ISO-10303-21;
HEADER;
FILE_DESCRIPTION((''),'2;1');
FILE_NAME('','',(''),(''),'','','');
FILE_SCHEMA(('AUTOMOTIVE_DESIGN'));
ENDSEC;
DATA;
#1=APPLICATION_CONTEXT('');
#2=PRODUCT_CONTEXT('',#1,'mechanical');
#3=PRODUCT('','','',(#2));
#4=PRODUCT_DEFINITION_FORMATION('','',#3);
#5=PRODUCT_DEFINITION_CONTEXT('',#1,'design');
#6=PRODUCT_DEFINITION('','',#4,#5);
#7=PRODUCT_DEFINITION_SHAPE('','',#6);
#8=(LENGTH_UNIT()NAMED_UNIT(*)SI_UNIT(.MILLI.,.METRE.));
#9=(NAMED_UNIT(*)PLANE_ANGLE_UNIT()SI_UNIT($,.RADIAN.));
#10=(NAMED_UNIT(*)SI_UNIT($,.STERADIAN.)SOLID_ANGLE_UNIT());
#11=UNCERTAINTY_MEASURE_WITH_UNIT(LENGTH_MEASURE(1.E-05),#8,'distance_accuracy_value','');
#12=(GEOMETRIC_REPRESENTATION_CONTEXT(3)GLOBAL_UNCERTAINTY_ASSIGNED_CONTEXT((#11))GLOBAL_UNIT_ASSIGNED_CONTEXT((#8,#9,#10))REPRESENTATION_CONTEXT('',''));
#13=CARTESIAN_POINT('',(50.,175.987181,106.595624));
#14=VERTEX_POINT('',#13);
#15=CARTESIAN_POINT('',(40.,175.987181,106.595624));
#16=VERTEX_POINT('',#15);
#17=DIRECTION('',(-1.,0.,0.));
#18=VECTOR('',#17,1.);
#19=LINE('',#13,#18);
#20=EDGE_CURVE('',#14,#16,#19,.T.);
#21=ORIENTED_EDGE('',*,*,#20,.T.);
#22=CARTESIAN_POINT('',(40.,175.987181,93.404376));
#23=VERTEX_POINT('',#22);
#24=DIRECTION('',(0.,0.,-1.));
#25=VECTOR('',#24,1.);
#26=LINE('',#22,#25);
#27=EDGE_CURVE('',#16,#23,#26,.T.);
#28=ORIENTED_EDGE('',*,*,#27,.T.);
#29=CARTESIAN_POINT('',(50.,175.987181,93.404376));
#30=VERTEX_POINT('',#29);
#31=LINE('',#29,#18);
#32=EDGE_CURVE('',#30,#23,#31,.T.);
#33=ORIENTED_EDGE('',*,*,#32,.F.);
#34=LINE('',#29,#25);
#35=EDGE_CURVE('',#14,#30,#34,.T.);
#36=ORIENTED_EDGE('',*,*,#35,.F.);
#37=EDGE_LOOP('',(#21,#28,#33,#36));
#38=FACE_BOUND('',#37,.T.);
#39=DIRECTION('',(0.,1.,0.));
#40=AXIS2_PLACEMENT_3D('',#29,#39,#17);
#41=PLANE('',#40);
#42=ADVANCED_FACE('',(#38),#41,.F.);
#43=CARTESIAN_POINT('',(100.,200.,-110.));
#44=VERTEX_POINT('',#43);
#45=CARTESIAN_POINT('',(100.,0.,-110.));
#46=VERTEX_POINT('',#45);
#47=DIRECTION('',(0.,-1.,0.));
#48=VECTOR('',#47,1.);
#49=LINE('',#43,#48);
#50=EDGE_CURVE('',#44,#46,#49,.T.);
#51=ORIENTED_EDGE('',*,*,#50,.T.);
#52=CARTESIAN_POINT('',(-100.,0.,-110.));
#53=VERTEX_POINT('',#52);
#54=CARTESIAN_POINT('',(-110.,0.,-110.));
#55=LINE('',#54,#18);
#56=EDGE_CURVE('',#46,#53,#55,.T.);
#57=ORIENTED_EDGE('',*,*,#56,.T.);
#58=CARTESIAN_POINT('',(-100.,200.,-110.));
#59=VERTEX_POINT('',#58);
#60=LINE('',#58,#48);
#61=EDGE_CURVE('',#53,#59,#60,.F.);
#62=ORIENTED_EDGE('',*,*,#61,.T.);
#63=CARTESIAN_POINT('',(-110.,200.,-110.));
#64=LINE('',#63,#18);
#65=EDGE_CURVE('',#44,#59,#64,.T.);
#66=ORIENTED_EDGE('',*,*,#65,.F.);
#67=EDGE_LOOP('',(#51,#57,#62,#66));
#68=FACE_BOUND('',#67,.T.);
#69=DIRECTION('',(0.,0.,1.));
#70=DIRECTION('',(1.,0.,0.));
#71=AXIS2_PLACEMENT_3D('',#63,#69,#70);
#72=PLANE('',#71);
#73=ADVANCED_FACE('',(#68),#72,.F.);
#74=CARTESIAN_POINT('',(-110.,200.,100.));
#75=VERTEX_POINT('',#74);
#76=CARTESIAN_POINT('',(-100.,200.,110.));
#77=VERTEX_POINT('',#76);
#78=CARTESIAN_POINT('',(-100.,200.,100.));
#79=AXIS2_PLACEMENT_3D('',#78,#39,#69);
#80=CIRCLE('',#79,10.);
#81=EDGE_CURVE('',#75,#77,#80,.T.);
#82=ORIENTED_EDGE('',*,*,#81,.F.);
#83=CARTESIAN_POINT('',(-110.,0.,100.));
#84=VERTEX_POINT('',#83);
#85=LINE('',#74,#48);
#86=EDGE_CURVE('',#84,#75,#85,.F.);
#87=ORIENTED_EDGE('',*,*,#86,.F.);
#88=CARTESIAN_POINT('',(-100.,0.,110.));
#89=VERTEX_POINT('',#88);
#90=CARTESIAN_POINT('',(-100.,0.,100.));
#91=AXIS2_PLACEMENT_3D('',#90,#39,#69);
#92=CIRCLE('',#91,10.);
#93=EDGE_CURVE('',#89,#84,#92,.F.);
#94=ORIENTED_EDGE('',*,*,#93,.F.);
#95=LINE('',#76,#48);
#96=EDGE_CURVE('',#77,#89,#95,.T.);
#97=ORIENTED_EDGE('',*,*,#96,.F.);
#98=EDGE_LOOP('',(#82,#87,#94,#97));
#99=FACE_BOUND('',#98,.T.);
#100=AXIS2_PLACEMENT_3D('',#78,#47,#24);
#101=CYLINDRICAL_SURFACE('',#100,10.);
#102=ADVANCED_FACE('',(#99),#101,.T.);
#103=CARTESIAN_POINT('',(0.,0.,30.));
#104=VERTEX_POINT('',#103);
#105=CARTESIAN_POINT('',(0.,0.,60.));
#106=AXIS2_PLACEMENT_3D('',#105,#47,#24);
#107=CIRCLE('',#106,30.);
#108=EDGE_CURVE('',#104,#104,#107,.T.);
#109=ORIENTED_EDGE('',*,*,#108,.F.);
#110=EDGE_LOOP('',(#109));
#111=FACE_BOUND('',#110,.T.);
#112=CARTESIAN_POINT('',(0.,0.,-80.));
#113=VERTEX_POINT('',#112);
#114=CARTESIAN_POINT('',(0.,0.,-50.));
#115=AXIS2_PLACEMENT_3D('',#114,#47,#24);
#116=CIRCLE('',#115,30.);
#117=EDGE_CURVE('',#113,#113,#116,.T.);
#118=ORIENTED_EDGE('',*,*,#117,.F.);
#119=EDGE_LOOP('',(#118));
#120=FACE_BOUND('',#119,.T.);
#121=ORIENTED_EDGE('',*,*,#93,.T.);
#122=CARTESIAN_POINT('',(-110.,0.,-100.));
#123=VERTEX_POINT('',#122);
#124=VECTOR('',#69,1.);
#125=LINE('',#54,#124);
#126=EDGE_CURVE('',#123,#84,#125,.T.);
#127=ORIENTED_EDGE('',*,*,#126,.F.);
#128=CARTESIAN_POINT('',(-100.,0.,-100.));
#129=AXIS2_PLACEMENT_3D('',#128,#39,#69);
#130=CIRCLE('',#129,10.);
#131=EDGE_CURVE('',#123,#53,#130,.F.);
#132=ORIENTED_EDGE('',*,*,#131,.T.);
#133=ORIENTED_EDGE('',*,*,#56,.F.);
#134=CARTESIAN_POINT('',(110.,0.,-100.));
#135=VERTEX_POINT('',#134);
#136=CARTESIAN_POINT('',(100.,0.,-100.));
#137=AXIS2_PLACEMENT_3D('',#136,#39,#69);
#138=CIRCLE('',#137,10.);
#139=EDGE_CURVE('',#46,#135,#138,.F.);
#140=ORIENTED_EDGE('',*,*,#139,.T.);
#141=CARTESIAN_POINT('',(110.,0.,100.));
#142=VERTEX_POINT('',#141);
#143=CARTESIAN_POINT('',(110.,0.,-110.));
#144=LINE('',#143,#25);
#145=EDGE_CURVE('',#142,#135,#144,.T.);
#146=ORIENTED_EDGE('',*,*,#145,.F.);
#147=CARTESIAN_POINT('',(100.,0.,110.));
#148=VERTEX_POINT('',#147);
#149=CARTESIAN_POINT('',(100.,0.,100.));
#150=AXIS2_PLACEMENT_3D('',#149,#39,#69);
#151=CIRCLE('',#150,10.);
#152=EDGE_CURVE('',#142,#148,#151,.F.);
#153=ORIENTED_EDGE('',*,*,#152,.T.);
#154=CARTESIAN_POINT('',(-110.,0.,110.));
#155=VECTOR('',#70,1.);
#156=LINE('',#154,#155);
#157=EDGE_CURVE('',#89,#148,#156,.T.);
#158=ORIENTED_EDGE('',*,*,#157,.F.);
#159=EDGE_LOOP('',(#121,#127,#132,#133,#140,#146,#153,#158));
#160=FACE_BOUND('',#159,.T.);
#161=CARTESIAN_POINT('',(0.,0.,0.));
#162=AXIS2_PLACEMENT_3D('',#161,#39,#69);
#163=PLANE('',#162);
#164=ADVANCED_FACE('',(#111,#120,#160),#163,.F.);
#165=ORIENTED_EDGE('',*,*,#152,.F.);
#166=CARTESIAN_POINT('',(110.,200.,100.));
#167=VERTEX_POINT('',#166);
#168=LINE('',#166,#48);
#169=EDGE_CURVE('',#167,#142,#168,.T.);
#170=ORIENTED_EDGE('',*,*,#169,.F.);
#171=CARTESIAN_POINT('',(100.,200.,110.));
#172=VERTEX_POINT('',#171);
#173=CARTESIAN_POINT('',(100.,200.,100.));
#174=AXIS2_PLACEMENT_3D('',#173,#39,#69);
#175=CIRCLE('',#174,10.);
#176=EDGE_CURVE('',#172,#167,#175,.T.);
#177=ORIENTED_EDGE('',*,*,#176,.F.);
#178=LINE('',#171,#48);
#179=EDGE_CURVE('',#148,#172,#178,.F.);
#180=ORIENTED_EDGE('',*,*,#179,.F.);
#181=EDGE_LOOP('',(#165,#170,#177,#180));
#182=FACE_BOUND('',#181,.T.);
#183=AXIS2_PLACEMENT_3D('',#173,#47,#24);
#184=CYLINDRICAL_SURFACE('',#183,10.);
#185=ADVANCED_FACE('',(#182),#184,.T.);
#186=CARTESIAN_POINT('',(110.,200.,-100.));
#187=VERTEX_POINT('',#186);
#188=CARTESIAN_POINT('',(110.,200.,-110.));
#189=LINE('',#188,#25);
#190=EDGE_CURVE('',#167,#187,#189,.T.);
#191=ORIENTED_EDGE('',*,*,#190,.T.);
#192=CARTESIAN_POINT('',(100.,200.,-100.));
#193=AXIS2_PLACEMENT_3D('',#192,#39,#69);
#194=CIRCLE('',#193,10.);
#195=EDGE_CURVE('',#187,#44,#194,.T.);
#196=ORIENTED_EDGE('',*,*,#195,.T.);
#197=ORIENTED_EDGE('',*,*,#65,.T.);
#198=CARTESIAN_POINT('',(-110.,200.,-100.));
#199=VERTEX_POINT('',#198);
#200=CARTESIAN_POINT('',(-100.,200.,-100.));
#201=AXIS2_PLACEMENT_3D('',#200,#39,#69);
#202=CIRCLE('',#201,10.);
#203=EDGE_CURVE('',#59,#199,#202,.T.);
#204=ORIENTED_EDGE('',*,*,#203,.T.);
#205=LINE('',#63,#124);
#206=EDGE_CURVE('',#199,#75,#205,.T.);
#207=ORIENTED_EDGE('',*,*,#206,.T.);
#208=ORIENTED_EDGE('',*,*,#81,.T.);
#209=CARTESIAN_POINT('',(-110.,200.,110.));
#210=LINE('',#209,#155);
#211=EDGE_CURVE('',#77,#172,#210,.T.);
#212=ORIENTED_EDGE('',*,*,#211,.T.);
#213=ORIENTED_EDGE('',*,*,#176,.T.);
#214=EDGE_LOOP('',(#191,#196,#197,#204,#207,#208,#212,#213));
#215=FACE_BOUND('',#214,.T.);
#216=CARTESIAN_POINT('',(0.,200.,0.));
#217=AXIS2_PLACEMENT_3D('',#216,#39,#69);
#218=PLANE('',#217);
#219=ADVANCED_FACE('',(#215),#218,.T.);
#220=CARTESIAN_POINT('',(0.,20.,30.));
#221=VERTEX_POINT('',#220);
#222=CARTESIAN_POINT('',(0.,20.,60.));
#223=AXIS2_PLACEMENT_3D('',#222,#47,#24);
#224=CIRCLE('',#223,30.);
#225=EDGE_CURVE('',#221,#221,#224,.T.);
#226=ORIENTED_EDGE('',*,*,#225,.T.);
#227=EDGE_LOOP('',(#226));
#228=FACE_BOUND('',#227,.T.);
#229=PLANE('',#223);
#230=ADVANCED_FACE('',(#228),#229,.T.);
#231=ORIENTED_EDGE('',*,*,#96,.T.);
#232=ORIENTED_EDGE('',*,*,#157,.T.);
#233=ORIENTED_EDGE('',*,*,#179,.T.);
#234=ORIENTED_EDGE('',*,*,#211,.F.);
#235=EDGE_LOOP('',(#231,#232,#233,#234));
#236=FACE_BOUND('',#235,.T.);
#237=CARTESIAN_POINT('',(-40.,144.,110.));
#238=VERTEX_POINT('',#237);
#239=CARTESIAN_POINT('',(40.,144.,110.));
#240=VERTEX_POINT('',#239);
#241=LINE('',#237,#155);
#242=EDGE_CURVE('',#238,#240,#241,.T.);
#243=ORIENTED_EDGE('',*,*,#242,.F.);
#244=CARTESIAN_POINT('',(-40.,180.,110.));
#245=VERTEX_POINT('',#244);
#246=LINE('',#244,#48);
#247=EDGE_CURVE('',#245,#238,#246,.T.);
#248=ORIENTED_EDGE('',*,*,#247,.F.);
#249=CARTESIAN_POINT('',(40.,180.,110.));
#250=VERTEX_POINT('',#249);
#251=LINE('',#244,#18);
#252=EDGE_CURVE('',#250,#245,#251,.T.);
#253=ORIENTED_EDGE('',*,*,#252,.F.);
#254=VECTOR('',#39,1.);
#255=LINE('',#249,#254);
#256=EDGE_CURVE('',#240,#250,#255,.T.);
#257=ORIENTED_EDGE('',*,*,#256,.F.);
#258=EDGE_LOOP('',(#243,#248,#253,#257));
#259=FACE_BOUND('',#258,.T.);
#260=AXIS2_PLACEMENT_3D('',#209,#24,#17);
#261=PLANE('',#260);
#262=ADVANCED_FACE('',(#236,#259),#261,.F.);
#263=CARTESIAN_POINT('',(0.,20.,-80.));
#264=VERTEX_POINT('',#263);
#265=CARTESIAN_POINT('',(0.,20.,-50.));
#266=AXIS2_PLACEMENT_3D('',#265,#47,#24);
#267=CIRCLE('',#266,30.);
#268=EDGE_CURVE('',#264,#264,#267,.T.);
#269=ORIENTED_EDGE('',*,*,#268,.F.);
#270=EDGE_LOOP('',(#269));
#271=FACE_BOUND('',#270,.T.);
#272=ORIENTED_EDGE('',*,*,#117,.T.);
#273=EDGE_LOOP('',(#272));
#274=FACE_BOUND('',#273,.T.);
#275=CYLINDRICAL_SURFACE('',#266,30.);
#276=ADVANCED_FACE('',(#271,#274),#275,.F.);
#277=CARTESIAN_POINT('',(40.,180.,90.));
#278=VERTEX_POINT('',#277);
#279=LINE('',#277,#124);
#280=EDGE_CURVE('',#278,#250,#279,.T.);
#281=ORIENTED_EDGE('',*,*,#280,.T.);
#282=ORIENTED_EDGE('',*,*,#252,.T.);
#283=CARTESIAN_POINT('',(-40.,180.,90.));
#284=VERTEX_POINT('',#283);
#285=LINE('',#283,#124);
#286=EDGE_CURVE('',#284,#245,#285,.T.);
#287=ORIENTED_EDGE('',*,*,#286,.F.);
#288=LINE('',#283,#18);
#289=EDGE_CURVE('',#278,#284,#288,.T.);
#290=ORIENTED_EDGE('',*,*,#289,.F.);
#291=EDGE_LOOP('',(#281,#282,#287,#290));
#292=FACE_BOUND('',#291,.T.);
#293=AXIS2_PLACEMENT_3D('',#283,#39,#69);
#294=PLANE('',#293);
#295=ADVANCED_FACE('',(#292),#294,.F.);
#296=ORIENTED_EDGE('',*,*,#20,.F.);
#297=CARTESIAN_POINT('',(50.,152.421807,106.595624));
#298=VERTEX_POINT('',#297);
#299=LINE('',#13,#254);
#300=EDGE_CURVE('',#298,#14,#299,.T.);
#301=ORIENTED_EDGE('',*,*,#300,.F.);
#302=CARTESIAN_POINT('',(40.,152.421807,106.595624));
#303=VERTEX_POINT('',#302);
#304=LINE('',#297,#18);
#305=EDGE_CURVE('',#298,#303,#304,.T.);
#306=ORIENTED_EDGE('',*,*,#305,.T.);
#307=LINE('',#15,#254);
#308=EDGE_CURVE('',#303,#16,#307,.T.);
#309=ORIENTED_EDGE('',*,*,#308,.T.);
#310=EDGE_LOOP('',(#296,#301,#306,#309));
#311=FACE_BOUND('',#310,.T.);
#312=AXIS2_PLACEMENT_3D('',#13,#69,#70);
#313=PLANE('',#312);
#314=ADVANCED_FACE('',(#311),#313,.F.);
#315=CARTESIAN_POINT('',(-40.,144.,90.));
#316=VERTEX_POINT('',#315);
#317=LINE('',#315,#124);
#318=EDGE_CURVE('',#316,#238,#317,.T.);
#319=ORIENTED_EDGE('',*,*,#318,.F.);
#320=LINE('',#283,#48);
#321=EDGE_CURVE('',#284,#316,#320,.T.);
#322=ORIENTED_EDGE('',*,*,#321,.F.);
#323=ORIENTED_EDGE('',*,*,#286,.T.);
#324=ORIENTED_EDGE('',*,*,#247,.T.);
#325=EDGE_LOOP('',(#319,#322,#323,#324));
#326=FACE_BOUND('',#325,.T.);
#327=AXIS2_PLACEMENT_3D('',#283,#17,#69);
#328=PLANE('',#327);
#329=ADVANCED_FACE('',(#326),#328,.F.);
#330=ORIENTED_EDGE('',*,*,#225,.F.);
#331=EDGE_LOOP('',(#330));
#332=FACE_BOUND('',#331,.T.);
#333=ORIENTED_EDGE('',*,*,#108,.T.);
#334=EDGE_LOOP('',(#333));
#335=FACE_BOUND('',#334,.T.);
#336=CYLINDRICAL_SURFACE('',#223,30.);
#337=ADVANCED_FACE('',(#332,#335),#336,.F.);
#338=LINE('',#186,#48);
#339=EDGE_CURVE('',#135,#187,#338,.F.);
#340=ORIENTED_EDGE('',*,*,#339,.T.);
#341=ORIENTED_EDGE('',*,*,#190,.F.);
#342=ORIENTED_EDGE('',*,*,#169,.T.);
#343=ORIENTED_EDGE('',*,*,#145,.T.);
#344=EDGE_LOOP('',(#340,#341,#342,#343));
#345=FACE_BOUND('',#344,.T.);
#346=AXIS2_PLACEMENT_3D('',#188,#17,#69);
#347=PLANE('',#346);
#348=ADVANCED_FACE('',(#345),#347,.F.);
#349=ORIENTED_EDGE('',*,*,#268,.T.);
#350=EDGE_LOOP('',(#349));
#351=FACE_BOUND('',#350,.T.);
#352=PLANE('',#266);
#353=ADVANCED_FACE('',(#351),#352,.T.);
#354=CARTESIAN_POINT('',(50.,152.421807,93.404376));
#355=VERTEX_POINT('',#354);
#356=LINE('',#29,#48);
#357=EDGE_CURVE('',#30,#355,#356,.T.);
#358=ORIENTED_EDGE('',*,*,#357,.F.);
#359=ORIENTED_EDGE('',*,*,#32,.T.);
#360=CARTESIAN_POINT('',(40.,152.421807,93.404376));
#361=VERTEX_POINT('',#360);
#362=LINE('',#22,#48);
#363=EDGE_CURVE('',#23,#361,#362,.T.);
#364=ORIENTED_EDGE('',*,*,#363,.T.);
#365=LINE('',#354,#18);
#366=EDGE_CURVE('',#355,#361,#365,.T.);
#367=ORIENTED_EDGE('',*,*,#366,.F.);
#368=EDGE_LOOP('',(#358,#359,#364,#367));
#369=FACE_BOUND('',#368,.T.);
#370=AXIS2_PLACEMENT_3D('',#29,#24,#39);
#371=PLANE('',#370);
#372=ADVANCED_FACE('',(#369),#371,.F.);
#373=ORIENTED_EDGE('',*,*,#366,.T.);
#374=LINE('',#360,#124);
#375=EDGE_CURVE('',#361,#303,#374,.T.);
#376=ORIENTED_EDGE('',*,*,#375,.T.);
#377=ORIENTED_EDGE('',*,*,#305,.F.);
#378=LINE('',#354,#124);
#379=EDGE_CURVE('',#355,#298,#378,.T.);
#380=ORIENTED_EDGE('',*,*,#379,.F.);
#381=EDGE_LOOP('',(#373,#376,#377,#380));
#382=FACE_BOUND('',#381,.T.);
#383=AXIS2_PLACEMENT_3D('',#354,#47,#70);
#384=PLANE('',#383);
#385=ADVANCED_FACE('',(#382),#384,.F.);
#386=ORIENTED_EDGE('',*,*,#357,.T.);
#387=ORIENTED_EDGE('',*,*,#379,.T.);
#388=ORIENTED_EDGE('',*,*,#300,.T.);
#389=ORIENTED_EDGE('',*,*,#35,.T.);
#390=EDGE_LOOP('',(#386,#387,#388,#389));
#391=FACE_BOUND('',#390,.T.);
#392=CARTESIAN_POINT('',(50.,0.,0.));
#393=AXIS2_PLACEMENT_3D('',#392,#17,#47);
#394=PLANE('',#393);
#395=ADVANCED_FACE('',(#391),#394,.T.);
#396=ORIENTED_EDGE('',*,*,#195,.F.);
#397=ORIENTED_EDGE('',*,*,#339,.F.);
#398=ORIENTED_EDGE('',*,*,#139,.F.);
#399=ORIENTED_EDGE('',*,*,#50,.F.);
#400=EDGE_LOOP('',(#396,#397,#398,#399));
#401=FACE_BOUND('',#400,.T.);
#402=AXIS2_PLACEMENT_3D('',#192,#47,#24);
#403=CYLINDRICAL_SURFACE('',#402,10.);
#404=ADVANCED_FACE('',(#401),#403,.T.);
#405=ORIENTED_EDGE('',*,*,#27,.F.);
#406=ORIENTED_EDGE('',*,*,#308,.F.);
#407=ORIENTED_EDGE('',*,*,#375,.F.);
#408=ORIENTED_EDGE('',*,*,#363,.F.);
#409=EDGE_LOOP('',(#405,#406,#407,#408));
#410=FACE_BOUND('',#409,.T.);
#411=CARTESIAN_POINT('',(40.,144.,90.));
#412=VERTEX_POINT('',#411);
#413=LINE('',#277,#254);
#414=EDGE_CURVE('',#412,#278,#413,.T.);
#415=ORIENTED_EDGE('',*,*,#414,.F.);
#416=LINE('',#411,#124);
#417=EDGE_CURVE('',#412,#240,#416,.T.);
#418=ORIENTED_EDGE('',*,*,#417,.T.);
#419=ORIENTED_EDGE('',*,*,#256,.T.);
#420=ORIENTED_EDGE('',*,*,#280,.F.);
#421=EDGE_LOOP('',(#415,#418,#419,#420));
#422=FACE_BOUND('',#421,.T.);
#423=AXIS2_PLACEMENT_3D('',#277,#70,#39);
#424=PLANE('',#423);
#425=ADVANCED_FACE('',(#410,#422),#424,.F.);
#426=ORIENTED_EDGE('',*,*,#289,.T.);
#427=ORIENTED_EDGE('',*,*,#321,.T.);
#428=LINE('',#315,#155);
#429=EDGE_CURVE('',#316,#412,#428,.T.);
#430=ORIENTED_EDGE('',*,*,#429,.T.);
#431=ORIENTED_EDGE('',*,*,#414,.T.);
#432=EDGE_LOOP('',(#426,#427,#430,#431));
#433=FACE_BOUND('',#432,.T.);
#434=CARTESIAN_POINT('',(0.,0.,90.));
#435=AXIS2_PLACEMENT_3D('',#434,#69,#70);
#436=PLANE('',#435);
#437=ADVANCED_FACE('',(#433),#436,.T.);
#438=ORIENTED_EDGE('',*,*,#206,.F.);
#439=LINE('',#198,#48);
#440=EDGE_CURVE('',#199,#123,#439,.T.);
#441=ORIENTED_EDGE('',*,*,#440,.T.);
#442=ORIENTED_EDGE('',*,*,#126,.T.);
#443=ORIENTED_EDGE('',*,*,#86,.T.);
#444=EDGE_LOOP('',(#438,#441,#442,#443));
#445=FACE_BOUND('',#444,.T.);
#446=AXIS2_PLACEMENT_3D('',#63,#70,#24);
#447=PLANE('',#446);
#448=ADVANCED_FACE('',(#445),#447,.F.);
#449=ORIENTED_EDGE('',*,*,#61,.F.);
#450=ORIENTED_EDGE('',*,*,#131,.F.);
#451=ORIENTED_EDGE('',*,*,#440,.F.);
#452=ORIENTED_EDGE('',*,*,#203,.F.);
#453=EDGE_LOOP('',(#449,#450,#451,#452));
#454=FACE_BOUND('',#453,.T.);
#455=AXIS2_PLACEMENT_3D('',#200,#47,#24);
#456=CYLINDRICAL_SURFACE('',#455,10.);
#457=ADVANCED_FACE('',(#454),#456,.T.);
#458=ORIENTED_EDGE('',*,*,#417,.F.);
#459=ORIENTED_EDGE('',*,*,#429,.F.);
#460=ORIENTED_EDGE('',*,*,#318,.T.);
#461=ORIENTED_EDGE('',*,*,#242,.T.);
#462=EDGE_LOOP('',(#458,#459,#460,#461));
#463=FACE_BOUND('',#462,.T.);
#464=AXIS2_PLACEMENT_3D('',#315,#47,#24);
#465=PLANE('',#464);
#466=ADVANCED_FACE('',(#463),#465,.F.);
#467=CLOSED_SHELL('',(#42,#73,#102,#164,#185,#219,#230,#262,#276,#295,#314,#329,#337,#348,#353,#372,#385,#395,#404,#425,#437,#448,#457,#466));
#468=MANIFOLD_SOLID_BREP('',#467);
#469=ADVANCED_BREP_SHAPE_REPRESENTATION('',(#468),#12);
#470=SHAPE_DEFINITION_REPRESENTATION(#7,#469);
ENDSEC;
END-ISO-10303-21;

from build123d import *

# Parameters (mm, degrees)
SKETCH1_W           = 220
SKETCH1_H           = 220
BOSS_EXTRUDE1_DEPTH = 200
FILLET1_R           = 10
SKETCH2_R           = 30
CUT_EXTRUDE1_DEPTH  = 20
SKETCH3_W           = 80
SKETCH3_H           = 36
CUT_EXTRUDE2_DEPTH  = 20
SKETCH4_W           = 13.191247326
SKETCH4_H           = 23.565374265
CUT_EXTRUDE3_DEPTH  = 10


with BuildPart() as part:
    # Sketch1 → Boss-Extrude1 (new body)
    with BuildSketch(Plane(origin=(0, 0, 0), x_dir=(1, 0, 0), z_dir=(0, 1, 0))):
        Rectangle(SKETCH1_W, SKETCH1_H)
    extrude(amount=BOSS_EXTRUDE1_DEPTH)

    # Fillet1
    fillet1_edges = [part.edges().sort_by_distance(p)[0] for p in [
        (110, 100, 110),
        (-110, 100, 110),
        (-110, 100, -110),
        (110, 100, -110),
    ]]
    fillet(fillet1_edges, radius=FILLET1_R)

    # Sketch2 → Cut-Extrude1 (cut)
    with BuildSketch(Plane.XZ):
        with Locations((0, -50)):
            Circle(SKETCH2_R)
        with Locations((0, 60)):
            Circle(SKETCH2_R)
    extrude(amount=-CUT_EXTRUDE1_DEPTH, mode=Mode.SUBTRACT)

    # Sketch3 → Cut-Extrude2 (cut)
    with BuildSketch(Plane.XY.offset(110)):
        with Locations((0, 162)):
            Rectangle(SKETCH3_W, SKETCH3_H)
    extrude(amount=-CUT_EXTRUDE2_DEPTH, mode=Mode.SUBTRACT)

    # Sketch4 → Cut-Extrude3 (cut)
    with BuildSketch(Plane.ZY.offset(-40)):
        with Locations((100, 164.204493947)):
            Rectangle(SKETCH4_W, SKETCH4_H)
    extrude(amount=-CUT_EXTRUDE3_DEPTH, mode=Mode.SUBTRACT)


solid = part.part
